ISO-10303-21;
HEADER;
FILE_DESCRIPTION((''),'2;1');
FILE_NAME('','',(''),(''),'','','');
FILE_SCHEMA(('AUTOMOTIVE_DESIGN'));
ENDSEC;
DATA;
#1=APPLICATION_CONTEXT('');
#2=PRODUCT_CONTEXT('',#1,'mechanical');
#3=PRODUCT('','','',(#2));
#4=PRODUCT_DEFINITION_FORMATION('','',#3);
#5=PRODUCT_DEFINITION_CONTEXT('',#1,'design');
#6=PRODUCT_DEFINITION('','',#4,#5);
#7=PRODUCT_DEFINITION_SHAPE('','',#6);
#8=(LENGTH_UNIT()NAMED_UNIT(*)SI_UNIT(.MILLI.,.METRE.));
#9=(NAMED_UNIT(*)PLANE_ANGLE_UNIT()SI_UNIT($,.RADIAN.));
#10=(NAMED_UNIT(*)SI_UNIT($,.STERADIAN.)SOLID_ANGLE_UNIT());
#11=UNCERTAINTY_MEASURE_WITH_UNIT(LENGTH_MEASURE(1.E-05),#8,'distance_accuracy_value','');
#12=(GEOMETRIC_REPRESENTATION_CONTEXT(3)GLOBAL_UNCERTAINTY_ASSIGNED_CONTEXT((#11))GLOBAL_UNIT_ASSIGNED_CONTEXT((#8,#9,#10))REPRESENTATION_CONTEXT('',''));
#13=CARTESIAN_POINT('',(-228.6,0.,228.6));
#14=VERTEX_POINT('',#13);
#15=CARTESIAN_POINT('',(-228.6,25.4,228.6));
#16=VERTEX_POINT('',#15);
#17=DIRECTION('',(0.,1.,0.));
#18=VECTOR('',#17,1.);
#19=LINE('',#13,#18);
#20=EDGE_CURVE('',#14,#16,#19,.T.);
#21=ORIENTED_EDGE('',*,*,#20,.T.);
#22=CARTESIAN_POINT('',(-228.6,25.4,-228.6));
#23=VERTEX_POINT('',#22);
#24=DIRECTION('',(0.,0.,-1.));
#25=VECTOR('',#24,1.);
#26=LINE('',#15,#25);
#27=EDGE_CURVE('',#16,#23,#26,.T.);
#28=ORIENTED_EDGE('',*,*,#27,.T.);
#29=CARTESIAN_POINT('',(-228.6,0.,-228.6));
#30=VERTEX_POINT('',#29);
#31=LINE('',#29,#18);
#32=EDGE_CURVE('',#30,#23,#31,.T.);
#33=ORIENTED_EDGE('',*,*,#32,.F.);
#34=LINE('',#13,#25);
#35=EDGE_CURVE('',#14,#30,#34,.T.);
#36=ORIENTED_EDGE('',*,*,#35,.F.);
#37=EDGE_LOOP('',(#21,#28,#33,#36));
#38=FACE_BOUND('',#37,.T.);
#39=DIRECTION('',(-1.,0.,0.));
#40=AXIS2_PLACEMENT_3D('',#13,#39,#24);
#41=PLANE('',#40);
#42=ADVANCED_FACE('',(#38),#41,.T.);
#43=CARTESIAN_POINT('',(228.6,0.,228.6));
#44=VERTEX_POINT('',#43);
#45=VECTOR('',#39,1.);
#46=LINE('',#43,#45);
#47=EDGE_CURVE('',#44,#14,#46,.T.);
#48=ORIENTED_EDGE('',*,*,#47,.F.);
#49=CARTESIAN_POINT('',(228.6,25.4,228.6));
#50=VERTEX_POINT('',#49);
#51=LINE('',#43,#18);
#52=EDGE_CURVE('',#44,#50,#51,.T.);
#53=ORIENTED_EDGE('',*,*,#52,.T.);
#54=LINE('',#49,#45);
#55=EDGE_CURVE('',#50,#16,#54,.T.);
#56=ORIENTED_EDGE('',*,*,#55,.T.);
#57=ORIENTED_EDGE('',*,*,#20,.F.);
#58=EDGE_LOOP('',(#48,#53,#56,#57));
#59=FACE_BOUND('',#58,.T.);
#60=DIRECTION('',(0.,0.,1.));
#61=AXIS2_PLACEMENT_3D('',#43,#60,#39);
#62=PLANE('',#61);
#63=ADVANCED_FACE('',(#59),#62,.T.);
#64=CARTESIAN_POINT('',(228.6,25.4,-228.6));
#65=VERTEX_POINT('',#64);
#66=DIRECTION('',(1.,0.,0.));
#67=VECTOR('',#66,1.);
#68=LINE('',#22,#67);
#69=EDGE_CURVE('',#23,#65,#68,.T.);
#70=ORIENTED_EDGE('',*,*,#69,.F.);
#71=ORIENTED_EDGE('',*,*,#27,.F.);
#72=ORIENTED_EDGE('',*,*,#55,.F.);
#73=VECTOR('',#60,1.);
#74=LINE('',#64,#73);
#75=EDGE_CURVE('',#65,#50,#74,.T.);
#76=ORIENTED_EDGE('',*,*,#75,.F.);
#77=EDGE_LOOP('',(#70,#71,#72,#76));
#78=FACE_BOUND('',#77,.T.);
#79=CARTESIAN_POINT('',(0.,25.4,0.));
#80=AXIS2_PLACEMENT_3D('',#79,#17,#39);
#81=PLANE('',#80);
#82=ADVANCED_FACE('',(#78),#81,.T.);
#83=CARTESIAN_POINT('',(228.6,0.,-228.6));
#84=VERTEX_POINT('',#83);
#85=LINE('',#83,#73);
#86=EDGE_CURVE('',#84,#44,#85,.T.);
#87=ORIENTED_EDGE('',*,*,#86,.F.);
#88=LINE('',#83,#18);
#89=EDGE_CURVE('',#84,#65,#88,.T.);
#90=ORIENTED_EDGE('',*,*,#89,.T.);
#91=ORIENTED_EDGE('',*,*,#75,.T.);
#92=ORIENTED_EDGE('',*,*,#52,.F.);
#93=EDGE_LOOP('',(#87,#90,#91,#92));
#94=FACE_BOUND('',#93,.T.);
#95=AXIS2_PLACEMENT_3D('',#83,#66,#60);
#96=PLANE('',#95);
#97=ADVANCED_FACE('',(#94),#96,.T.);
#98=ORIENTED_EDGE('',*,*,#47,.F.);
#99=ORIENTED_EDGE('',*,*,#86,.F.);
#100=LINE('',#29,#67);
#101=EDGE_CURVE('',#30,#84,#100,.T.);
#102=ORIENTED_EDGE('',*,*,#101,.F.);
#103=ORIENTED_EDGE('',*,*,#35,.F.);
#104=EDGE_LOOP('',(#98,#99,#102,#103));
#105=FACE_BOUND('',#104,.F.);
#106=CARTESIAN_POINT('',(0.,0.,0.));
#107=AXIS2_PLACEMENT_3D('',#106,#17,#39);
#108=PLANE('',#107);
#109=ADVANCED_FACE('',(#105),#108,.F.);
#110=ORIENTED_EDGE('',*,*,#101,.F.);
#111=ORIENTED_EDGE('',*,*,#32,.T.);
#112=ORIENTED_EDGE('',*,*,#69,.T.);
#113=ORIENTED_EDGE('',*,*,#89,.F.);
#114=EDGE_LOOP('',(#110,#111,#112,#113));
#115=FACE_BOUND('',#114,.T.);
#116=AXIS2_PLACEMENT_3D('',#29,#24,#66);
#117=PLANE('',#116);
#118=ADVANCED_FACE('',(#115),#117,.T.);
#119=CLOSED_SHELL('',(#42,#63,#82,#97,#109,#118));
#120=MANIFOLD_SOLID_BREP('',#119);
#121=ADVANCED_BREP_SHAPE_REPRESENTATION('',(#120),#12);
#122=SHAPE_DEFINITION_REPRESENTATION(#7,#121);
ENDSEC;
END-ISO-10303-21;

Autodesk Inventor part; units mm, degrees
ref_plane "YZ Plane" through (0, 0, 0) normal (1, 0, 0) x (0, 1, 0)
ref_plane "XZ Plane" through (0, 0, 0) normal (0, 1, 0) x (-1, 0, 0)
ref_plane "XY Plane" through (0, 0, 0) normal (0, 0, 1) x (1, 0, 0)
sketch "Sketch1" plane through (0, 0, 0) normal (0, 1, 0) x (-1, 0, 0)
  line L0 (228.6, -228.6) -> (-228.6, -228.6)
  line L1 (-228.6, -228.6) -> (-228.6, 228.6)
  line L2 (-228.6, 228.6) -> (228.6, 228.6)
  line L3 (228.6, 228.6) -> (228.6, -228.6)
  line L4 (228.6, -228.6) -> (-228.6, 228.6) construction
  line L5 (-228.6, -228.6) -> (228.6, 228.6) construction
  point P0 (0, 0)
  dimension "d0" = 457.2
  dimension "d1" = 457.2
extrude "Extrusion1" add sketch "Sketch1" along normal blind 25.4
properties part number "18x18x2-77" material "Granite, Cut, Polished"
